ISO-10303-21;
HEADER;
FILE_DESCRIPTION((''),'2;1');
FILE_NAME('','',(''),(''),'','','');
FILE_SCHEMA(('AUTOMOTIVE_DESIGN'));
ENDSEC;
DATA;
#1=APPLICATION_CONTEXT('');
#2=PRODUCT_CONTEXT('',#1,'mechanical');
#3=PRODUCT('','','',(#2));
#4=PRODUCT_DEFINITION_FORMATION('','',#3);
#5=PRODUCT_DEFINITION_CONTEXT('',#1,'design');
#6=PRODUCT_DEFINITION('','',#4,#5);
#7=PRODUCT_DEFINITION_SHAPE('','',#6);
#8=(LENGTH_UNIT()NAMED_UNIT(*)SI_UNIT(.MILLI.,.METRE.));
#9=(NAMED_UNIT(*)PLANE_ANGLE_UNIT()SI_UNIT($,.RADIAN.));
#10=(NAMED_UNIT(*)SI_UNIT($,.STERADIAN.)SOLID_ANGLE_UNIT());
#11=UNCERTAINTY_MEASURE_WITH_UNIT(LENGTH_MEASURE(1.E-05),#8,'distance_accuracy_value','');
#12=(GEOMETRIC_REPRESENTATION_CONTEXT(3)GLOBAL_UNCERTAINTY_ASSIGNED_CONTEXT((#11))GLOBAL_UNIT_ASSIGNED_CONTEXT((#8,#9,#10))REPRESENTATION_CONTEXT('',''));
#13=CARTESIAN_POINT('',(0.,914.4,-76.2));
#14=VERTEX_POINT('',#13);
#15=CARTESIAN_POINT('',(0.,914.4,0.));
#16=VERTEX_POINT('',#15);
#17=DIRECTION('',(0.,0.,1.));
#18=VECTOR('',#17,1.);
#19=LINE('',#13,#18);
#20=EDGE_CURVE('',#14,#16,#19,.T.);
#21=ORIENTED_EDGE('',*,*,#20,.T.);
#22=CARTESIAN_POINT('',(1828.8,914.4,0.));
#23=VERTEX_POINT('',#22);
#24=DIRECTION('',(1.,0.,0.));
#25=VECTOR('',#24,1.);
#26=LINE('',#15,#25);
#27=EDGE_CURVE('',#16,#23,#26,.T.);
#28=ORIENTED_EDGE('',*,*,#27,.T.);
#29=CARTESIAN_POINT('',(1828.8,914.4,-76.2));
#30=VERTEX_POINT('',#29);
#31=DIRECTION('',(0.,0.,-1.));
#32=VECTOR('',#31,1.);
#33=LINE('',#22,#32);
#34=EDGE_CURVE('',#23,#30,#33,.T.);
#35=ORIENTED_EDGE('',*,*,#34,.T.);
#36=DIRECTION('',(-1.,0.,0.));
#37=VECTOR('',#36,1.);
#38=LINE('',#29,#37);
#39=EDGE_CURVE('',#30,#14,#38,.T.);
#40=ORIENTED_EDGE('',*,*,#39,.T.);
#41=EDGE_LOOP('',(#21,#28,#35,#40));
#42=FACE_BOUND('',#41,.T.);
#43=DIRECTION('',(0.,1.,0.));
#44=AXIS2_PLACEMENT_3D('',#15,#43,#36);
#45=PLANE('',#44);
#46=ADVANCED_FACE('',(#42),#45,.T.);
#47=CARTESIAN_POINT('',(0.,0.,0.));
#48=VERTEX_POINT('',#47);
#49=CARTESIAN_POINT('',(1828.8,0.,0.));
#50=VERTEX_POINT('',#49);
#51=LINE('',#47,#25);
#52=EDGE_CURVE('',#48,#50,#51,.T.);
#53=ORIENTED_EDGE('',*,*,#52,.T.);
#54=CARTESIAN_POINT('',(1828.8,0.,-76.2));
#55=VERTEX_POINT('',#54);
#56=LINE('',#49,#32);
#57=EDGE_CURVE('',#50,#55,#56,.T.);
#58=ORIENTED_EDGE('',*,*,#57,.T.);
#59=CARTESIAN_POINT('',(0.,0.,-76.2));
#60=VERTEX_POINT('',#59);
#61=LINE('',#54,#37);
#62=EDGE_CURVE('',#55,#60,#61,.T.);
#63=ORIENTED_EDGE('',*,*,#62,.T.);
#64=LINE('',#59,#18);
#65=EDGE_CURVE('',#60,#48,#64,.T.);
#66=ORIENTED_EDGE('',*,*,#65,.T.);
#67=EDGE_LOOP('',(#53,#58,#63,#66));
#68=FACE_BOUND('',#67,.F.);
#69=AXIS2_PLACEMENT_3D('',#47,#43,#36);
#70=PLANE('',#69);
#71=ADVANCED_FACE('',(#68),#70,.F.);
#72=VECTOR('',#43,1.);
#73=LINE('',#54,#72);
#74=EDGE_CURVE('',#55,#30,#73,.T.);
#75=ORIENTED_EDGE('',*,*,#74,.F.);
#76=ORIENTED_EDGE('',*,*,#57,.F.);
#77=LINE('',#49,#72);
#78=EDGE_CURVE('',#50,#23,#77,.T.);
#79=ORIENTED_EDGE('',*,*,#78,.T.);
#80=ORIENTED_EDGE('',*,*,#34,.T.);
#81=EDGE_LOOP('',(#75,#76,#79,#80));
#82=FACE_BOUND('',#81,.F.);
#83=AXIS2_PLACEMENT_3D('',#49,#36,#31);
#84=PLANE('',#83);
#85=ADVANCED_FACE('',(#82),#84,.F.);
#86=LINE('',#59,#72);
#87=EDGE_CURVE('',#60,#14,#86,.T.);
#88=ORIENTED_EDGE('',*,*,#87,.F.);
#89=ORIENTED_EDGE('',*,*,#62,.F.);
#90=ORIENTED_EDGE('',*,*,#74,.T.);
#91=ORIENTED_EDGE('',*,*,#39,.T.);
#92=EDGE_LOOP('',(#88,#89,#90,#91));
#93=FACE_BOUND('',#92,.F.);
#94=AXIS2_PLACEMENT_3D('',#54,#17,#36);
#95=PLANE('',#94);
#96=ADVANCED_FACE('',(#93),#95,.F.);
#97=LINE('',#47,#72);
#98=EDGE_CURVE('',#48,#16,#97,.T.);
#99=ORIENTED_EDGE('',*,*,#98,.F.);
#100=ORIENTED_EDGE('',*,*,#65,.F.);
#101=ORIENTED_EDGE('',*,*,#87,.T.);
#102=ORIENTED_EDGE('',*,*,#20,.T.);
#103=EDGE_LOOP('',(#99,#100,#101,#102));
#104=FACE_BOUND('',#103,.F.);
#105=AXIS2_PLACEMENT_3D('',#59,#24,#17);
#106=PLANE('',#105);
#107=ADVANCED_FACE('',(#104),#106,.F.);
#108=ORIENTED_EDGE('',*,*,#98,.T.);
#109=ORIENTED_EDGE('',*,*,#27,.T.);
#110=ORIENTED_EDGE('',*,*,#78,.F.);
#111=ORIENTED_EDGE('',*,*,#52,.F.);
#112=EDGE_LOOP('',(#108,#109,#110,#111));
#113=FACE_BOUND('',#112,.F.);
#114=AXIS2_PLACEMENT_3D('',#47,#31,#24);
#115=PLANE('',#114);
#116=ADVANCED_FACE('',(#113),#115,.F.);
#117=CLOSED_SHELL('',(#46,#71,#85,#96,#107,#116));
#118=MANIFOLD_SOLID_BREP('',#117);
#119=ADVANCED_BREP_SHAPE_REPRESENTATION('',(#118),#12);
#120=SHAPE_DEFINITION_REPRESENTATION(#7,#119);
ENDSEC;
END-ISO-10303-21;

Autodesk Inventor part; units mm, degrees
ref_plane "YZ Plane" through (0, 0, 0) normal (1, 0, 0) x (0, 1, 0)
ref_plane "XZ Plane" through (0, 0, 0) normal (0, 1, 0) x (-1, 0, 0)
ref_plane "XY Plane" through (0, 0, 0) normal (0, 0, 1) x (1, 0, 0)
sketch "Sketch2" plane through (0, 0, 0) normal (0, 1, 0) x (-1, 0, 0)
  line L0 (0, 0) -> (-1828.8, 0)
  line L1 (-1828.8, 0) -> (-1828.8, -76.2)
  line L2 (-1828.8, -76.2) -> (0, -76.2)
  line L3 (0, -76.2) -> (0, 0)
  dimension "d4" = 1828.8
  dimension "d5" = 76.2
extrude "Extrusion2" add sketch "Sketch2" along normal blind 914.4
properties part number "rev2 top large wall plane" material "Wood (Birch)"
